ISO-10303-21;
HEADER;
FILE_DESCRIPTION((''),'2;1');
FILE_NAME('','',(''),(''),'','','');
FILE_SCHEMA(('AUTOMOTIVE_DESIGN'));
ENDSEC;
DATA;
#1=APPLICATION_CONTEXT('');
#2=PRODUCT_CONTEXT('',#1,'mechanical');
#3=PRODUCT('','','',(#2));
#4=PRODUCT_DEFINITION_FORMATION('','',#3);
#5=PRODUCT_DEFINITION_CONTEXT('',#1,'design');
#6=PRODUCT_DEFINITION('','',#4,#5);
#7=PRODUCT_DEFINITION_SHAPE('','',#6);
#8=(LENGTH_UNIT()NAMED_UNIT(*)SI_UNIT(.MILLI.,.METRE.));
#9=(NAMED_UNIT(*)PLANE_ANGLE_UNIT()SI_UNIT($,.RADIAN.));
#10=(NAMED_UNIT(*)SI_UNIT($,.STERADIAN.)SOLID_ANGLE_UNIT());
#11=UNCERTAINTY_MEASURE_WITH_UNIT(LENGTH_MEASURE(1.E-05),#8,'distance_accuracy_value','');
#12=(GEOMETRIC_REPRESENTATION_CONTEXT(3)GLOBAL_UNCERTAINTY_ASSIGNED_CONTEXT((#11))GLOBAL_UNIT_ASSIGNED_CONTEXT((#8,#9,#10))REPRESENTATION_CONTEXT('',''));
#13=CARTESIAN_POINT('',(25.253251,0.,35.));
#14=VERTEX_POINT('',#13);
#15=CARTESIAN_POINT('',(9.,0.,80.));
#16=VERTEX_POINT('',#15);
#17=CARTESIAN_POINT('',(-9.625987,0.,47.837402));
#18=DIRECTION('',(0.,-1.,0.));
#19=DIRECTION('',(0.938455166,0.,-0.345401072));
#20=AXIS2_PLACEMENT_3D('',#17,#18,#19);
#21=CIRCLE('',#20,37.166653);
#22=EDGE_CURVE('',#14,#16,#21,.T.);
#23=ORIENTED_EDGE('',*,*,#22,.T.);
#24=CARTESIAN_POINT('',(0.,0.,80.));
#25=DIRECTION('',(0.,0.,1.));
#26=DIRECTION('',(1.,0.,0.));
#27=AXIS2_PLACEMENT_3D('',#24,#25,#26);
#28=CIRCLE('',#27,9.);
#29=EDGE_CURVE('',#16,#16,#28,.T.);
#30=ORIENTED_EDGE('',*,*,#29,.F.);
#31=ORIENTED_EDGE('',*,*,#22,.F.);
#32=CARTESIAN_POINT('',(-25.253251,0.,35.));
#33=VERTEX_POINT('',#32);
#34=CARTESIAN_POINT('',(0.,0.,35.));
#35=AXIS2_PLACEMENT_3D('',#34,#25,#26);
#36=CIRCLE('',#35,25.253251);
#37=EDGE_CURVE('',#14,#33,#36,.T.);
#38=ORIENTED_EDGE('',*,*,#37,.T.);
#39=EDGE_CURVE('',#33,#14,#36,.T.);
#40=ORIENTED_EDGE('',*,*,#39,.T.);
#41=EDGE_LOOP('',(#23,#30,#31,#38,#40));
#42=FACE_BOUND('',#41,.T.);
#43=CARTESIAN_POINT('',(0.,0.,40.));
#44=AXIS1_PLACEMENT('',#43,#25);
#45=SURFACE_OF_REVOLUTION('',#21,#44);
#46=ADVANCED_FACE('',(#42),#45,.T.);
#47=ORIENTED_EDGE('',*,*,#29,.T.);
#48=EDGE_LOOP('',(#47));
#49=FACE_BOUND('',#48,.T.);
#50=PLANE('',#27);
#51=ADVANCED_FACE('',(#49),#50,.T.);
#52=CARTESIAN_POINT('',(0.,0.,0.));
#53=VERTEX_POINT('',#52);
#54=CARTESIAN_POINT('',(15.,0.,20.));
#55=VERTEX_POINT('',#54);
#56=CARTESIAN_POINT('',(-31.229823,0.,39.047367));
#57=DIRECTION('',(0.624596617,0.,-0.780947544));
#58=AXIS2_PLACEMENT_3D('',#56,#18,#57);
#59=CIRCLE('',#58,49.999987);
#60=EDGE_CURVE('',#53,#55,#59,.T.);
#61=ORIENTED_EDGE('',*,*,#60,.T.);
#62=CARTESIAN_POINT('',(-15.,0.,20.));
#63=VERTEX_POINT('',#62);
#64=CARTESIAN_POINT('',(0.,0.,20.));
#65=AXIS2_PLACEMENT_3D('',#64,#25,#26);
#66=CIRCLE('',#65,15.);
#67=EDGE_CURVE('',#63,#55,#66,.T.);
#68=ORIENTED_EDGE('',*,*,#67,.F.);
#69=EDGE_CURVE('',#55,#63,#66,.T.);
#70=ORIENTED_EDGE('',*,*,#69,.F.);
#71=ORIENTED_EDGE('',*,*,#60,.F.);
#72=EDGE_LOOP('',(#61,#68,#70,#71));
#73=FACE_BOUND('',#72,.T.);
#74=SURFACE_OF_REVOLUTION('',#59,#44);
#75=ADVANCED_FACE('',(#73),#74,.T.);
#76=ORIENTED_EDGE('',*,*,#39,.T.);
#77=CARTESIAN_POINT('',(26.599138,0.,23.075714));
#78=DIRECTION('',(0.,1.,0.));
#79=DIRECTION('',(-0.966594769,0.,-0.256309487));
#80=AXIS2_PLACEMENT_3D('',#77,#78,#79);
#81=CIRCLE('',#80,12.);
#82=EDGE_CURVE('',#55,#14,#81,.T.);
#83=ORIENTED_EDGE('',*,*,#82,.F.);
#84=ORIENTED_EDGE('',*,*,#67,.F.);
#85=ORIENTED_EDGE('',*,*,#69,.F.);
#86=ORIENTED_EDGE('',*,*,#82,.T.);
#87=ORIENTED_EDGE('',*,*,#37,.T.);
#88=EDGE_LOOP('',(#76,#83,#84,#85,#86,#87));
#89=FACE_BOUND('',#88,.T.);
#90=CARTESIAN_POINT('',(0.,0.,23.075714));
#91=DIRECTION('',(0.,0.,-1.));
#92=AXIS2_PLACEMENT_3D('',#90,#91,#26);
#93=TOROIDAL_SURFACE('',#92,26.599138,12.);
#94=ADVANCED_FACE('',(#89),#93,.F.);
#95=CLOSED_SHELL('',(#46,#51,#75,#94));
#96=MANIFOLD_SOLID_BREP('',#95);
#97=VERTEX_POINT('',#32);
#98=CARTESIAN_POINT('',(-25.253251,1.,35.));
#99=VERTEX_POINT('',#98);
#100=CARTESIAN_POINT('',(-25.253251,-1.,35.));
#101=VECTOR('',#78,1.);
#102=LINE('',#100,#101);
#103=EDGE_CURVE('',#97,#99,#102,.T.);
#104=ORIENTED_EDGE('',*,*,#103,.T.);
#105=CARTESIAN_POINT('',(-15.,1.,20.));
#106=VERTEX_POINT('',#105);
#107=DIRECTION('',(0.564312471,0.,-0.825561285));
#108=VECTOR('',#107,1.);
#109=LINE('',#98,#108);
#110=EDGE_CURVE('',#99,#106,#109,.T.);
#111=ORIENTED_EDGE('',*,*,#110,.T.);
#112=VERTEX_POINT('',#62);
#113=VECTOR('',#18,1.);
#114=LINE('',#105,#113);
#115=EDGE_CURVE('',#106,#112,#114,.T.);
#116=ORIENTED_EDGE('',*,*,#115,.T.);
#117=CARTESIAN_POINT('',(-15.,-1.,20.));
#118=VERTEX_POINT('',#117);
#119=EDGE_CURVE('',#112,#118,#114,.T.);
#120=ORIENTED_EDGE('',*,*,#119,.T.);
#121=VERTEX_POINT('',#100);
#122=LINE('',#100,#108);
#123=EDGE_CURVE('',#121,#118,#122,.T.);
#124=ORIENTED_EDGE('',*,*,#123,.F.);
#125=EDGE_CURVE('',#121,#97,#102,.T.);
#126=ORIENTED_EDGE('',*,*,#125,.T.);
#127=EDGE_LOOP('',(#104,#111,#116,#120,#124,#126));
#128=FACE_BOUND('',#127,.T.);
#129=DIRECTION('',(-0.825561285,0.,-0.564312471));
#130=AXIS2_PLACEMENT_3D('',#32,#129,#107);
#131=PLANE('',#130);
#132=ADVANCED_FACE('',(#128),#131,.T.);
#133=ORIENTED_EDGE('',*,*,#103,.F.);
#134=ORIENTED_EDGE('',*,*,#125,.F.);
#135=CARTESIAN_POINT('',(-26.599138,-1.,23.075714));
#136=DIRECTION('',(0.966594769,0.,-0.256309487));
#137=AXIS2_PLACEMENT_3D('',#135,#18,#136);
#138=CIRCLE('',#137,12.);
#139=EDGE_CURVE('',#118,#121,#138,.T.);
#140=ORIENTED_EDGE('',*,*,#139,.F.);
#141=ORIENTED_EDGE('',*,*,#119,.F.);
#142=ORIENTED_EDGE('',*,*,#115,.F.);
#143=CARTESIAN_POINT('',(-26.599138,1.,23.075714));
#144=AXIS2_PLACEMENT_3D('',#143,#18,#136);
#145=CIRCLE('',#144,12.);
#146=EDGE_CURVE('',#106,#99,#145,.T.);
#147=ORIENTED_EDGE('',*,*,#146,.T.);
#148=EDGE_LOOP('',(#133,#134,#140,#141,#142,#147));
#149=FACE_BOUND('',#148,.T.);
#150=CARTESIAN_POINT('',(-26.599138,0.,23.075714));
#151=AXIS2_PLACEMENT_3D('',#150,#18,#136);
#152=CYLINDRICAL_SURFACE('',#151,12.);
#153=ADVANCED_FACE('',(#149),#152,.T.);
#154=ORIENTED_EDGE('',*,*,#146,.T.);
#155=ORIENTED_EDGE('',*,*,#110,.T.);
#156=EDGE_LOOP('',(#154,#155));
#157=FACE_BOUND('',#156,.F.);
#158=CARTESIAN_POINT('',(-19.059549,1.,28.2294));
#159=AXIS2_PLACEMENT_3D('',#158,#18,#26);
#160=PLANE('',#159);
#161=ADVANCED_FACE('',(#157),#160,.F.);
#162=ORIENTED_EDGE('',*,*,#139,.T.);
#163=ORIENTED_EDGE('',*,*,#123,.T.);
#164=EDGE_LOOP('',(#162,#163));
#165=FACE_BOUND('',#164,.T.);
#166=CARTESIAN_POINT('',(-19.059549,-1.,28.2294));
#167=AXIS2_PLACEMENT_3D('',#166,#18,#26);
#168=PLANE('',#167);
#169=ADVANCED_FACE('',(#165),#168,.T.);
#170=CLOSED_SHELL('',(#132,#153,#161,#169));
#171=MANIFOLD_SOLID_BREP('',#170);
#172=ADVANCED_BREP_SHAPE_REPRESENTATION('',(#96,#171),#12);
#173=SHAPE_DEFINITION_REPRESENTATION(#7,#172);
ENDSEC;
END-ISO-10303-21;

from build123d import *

# Parameters (mm, degrees)
F3_DEPTH = 1


with BuildPart() as f1:
    # F0 (on Front) → F1 (revolve)
    with BuildSketch(Plane.XZ):
        with BuildLine():
            Line((0, 35), (0, 20))
            Line((0, 20), (15, 20))
            ThreePointArc((15, 20), (16.692402, 29.847464), (25.253251, 35))
            Line((25.253251, 35), (0, 35))
        make_face()
        with BuildLine():
            Line((0, 20), (0, 0))
            ThreePointArc((0, 0), (8.770167, 9.047375), (15, 20))
            Line((15, 20), (0, 20))
        make_face()
        with BuildLine():
            Line((0, 80), (0, 35))
            Line((0, 35), (25.253251, 35))
            ThreePointArc((25.253251, 35), (25.330447, 60.463084), (9, 80))
            Line((9, 80), (0, 80))
        make_face()
    revolve(axis=Axis((0, 0, 40), (0, 0, 1)))

    # F2 (on Front) → F3 (join, symmetric)
    with BuildSketch(Plane.XZ):
        with BuildLine():
            Line((-25.253251, 35), (-15, 20))
            ThreePointArc((-15, 20), (-16.692402, 29.847464), (-25.253251, 35))
        make_face()
    extrude(amount=F3_DEPTH, both=True)


solid = f1.part
